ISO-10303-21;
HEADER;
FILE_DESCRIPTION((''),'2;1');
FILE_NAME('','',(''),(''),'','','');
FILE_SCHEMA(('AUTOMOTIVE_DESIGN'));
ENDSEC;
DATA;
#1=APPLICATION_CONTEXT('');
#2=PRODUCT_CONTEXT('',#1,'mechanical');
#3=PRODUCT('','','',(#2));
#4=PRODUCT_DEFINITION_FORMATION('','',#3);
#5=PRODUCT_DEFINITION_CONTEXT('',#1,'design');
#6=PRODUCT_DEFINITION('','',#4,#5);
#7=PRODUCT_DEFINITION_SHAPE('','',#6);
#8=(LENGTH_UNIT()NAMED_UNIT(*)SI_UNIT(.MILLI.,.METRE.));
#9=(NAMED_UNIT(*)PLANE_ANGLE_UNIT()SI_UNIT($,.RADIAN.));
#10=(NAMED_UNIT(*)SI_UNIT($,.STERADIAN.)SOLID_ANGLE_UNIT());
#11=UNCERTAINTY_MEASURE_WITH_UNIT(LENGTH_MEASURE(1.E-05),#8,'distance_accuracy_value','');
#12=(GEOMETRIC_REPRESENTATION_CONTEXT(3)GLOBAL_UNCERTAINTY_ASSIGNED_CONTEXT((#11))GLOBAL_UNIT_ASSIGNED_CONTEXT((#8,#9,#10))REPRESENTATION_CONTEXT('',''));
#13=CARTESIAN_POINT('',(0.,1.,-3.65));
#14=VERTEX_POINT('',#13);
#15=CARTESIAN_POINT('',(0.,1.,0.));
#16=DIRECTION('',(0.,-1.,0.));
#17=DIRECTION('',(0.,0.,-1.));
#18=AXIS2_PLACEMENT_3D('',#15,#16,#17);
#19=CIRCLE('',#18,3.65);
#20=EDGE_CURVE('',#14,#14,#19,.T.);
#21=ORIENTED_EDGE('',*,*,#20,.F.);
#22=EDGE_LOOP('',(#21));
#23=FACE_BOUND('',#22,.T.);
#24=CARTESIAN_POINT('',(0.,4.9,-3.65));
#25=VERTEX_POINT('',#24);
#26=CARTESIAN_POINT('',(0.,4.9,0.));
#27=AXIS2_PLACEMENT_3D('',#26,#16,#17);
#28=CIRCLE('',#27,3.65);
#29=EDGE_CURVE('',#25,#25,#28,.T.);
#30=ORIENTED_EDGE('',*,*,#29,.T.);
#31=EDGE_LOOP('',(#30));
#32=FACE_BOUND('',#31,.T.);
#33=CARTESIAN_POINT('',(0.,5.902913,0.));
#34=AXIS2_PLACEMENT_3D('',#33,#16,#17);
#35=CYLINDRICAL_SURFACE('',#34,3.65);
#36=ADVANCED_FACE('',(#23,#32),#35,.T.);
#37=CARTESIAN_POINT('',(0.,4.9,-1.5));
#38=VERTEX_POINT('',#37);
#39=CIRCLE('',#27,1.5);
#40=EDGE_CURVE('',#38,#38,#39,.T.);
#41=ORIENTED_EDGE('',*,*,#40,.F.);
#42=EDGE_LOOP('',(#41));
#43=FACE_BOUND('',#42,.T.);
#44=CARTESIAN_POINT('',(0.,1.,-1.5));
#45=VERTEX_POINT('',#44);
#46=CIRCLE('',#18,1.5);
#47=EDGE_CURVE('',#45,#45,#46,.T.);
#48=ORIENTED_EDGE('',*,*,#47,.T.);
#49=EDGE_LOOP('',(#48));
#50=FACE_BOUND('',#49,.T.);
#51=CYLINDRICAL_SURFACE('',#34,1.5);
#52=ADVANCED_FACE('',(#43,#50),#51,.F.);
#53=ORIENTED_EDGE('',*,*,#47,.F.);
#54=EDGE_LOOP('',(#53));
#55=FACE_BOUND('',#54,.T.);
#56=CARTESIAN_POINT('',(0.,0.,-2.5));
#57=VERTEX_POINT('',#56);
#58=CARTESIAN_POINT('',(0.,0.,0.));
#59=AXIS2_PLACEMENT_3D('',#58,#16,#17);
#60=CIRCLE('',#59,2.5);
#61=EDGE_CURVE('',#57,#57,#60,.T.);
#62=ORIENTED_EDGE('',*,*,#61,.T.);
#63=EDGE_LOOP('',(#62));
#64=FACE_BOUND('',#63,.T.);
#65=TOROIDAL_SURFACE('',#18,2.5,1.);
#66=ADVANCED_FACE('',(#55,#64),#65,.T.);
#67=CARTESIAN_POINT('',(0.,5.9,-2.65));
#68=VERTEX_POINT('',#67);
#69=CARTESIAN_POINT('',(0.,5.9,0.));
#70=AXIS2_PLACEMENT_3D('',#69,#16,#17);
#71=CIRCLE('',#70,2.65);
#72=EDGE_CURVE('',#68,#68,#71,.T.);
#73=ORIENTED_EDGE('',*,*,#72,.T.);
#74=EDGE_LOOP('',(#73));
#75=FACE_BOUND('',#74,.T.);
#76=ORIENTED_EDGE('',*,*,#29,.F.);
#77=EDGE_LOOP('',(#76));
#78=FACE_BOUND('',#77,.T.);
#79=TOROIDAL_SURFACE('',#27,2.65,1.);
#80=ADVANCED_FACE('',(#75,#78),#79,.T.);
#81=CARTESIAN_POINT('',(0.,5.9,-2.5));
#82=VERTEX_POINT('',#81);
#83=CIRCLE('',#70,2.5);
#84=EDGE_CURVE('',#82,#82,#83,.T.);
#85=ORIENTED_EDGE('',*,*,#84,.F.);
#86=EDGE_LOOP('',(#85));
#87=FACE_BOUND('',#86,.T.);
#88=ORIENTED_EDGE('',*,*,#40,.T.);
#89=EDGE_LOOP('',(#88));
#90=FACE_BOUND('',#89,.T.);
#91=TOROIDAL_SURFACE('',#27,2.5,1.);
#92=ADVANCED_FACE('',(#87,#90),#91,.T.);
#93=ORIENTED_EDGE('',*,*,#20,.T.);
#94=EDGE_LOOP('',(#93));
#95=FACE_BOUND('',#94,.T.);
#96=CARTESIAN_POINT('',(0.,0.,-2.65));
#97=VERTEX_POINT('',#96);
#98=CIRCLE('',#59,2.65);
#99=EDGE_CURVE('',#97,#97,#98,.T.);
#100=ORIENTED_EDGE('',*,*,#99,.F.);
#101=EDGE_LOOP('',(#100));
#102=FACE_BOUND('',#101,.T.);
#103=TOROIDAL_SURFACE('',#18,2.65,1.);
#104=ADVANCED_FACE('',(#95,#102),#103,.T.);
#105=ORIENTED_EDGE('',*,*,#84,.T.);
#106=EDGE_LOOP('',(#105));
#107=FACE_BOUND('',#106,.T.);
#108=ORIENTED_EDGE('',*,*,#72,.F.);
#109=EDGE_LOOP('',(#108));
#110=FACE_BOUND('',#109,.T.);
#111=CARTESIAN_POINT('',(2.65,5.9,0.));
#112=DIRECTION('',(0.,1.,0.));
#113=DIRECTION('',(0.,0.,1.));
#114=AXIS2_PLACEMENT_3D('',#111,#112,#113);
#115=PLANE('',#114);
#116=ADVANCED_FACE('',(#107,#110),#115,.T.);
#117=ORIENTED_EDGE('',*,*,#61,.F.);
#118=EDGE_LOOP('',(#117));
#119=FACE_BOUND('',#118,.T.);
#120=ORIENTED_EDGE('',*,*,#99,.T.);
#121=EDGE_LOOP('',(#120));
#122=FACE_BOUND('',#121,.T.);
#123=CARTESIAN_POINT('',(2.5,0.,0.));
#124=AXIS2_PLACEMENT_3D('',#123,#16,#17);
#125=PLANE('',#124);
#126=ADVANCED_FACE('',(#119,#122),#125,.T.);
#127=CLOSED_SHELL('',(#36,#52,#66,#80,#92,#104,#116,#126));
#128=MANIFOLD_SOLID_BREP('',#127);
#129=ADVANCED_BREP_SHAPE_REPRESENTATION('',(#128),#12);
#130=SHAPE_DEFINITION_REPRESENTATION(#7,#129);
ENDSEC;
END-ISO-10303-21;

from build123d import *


with BuildPart() as part:
    # Sketch1 → Revolve1 (revolve)
    with BuildSketch(Plane.XY, mode=Mode.PRIVATE) as revolve1_sk:
        with BuildLine():
            Line((1.5, 4.9), (1.5, 1))
            ThreePointArc((1.5, 1), (1.792893219, 0.292893219), (2.5, 0))
            Line((2.5, 0), (2.65, 0))
            ThreePointArc((2.65, 0), (3.357106781, 0.292893219), (3.65, 1))
            Line((3.65, 1), (3.65, 4.9))
            ThreePointArc((3.65, 4.9), (3.357106781, 5.607106781), (2.65, 5.9))
            Line((2.65, 5.9), (2.5, 5.9))
            ThreePointArc((2.5, 5.9), (1.792893219, 5.607106781), (1.5, 4.9))
        make_face()
    revolve(revolve1_sk.sketch.rotate(Axis((0, 5.902912508, 0), (0, -1, 0)), 270), axis=Axis((0, 5.902912508, 0), (0, -1, 0)))


solid = part.part
